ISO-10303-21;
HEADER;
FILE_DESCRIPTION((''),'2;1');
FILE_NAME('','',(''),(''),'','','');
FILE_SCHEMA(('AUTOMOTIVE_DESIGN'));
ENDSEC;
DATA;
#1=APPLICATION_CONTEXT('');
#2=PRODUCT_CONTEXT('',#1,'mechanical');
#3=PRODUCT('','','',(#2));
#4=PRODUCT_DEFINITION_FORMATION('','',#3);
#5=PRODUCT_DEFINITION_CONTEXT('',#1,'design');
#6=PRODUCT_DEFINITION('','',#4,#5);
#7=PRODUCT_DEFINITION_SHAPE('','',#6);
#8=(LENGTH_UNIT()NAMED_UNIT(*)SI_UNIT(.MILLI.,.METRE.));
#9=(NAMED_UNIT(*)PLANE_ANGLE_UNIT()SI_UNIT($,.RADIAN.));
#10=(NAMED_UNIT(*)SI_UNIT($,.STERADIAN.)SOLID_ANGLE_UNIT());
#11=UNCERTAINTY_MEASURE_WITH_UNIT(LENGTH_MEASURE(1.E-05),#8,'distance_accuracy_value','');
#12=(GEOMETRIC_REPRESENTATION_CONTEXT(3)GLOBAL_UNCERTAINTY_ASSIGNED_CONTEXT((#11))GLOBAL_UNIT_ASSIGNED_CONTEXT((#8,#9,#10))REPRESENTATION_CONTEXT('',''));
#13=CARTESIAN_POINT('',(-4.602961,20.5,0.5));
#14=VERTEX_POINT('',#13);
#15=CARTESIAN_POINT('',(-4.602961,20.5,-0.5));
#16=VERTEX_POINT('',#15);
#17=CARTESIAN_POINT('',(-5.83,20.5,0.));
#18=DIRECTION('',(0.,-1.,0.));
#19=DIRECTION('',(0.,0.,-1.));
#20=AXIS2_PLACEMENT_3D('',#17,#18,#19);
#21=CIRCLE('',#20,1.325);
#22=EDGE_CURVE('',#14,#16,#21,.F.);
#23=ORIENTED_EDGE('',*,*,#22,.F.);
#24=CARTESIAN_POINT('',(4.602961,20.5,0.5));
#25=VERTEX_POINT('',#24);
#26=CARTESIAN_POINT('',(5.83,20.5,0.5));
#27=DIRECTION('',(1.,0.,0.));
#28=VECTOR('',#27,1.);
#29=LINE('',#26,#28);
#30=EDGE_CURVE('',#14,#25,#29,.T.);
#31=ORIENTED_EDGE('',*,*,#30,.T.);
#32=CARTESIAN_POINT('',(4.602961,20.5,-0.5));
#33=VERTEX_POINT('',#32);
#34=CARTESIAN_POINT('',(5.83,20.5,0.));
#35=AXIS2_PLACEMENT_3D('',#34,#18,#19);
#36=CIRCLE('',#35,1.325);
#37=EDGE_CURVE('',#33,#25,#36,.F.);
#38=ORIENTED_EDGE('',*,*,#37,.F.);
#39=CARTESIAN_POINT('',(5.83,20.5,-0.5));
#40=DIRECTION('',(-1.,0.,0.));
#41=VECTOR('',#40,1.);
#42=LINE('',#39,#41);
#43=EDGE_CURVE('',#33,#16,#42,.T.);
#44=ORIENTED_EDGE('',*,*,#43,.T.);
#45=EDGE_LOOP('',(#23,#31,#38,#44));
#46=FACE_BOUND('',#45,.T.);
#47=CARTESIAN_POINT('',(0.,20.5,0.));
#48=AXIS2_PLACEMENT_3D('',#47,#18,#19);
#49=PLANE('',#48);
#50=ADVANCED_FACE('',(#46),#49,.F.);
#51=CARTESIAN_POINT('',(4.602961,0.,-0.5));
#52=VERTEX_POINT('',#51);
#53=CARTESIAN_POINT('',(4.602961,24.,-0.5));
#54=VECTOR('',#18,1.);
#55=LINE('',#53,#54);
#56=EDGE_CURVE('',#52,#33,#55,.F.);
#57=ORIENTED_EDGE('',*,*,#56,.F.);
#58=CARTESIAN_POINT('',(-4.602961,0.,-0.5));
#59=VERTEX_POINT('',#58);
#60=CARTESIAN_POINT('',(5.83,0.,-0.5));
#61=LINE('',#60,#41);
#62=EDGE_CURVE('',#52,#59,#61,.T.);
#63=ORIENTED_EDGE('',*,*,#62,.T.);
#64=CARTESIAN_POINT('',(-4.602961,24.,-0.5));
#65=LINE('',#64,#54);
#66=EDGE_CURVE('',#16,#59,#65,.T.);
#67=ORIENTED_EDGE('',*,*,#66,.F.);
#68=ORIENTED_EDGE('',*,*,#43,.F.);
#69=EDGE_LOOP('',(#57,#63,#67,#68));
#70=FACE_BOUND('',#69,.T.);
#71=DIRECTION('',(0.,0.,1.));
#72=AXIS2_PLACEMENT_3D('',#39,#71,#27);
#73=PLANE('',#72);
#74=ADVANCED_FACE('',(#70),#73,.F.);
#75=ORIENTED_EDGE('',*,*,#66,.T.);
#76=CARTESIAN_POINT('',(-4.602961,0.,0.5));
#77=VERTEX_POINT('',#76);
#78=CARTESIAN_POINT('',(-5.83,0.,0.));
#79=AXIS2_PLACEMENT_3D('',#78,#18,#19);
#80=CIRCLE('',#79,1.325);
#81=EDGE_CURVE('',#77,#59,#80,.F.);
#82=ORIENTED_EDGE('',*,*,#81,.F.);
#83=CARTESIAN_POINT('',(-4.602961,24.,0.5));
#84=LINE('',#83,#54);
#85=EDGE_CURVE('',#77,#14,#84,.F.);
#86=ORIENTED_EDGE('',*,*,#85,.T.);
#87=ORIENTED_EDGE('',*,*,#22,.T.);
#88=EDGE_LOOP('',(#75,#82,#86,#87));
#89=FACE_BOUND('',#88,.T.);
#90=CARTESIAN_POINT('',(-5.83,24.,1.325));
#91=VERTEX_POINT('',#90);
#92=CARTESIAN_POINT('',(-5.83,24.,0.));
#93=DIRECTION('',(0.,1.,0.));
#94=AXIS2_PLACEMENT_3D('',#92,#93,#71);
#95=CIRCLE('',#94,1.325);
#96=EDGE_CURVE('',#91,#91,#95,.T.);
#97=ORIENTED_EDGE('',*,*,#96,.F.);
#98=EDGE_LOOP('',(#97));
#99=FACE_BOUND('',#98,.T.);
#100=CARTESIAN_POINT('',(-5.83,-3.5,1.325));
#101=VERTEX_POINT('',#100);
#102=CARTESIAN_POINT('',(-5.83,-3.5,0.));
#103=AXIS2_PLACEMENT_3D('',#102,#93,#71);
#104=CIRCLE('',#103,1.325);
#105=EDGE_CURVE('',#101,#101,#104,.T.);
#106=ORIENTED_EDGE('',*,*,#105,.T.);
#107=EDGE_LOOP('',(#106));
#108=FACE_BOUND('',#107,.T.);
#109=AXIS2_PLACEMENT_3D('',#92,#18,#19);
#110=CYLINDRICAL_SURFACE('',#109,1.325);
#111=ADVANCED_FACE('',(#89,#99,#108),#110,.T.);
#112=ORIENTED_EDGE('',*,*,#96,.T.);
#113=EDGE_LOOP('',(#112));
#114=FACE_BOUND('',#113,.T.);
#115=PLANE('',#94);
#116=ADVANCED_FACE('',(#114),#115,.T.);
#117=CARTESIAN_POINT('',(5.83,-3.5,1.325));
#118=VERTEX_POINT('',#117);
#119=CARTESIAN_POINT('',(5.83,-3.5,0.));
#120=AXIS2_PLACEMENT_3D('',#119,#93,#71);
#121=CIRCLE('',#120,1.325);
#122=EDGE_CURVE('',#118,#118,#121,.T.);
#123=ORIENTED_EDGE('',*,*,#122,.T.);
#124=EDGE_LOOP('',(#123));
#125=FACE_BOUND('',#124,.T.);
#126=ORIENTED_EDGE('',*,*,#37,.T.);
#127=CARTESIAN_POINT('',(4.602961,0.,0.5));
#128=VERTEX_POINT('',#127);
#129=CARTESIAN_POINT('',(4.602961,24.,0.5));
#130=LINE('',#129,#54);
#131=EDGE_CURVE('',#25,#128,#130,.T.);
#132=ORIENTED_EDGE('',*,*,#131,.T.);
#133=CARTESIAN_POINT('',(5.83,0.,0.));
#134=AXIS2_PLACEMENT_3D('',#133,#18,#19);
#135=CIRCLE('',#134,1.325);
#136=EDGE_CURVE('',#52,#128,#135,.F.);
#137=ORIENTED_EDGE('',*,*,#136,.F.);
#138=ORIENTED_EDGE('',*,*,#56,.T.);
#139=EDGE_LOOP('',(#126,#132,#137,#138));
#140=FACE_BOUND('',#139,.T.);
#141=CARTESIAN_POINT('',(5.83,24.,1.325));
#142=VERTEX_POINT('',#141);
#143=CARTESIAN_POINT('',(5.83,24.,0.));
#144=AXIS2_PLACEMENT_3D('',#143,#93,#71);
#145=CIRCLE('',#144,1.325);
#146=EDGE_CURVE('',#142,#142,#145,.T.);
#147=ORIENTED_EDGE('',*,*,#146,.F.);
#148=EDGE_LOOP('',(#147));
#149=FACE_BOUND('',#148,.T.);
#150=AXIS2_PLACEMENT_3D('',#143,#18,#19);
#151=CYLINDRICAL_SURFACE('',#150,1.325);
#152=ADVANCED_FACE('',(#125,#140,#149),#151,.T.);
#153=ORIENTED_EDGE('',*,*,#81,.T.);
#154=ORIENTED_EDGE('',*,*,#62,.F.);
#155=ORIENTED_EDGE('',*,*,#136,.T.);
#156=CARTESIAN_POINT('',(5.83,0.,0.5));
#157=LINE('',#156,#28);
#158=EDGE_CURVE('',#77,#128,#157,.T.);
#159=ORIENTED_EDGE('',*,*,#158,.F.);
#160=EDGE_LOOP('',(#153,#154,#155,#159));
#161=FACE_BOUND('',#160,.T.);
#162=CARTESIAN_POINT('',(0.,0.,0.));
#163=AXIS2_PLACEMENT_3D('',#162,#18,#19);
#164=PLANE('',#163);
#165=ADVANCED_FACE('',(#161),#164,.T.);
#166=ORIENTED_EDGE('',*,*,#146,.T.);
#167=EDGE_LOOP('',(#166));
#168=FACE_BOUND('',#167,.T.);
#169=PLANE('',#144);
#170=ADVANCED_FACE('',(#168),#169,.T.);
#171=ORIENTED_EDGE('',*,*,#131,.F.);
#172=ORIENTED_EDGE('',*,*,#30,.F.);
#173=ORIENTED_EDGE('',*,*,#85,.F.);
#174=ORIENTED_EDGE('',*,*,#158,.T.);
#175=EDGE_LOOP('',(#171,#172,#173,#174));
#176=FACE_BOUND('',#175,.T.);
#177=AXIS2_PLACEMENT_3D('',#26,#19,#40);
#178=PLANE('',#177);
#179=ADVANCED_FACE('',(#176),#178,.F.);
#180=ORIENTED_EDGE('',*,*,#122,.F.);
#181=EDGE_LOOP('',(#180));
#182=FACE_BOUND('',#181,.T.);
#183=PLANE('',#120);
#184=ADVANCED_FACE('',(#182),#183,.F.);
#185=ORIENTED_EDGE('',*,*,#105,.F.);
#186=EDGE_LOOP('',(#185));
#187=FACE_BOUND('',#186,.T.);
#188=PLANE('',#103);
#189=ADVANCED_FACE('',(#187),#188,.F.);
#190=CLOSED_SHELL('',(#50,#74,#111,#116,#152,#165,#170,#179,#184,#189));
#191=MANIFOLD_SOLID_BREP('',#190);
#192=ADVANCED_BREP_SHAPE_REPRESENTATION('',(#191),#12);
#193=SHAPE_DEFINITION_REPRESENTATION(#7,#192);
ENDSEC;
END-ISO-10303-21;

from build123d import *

# Parameters (mm, degrees)
SKETCH1_W           = 11.66
SKETCH1_H           = 1
BOSS_EXTRUDE1_DEPTH = 20.5
SKETCH2_R           = 1.325
BOSS_EXTRUDE2_DEPTH = 13.75


with BuildPart() as part:
    # Sketch1 → Boss-Extrude1 (new body)
    with BuildSketch(Plane(origin=(0, 0, 0), x_dir=(1, 0, 0), z_dir=(0, 1, 0))):
        Rectangle(SKETCH1_W, SKETCH1_H)
    extrude(amount=BOSS_EXTRUDE1_DEPTH)

    # Sketch2 → Boss-Extrude2 (add, symmetric)
    with BuildSketch(Plane(origin=(0, 10.25, 0), x_dir=(1, 0, 0), z_dir=(0, 1, 0))):
        with Locations(Location((-5.83, 0, 0), (0, 0, 270))):
            Circle(SKETCH2_R)
        with Locations(Location((5.83, 0, 0), (0, 0, 270))):
            Circle(SKETCH2_R)
    extrude(amount=BOSS_EXTRUDE2_DEPTH, both=True)


solid = part.part
